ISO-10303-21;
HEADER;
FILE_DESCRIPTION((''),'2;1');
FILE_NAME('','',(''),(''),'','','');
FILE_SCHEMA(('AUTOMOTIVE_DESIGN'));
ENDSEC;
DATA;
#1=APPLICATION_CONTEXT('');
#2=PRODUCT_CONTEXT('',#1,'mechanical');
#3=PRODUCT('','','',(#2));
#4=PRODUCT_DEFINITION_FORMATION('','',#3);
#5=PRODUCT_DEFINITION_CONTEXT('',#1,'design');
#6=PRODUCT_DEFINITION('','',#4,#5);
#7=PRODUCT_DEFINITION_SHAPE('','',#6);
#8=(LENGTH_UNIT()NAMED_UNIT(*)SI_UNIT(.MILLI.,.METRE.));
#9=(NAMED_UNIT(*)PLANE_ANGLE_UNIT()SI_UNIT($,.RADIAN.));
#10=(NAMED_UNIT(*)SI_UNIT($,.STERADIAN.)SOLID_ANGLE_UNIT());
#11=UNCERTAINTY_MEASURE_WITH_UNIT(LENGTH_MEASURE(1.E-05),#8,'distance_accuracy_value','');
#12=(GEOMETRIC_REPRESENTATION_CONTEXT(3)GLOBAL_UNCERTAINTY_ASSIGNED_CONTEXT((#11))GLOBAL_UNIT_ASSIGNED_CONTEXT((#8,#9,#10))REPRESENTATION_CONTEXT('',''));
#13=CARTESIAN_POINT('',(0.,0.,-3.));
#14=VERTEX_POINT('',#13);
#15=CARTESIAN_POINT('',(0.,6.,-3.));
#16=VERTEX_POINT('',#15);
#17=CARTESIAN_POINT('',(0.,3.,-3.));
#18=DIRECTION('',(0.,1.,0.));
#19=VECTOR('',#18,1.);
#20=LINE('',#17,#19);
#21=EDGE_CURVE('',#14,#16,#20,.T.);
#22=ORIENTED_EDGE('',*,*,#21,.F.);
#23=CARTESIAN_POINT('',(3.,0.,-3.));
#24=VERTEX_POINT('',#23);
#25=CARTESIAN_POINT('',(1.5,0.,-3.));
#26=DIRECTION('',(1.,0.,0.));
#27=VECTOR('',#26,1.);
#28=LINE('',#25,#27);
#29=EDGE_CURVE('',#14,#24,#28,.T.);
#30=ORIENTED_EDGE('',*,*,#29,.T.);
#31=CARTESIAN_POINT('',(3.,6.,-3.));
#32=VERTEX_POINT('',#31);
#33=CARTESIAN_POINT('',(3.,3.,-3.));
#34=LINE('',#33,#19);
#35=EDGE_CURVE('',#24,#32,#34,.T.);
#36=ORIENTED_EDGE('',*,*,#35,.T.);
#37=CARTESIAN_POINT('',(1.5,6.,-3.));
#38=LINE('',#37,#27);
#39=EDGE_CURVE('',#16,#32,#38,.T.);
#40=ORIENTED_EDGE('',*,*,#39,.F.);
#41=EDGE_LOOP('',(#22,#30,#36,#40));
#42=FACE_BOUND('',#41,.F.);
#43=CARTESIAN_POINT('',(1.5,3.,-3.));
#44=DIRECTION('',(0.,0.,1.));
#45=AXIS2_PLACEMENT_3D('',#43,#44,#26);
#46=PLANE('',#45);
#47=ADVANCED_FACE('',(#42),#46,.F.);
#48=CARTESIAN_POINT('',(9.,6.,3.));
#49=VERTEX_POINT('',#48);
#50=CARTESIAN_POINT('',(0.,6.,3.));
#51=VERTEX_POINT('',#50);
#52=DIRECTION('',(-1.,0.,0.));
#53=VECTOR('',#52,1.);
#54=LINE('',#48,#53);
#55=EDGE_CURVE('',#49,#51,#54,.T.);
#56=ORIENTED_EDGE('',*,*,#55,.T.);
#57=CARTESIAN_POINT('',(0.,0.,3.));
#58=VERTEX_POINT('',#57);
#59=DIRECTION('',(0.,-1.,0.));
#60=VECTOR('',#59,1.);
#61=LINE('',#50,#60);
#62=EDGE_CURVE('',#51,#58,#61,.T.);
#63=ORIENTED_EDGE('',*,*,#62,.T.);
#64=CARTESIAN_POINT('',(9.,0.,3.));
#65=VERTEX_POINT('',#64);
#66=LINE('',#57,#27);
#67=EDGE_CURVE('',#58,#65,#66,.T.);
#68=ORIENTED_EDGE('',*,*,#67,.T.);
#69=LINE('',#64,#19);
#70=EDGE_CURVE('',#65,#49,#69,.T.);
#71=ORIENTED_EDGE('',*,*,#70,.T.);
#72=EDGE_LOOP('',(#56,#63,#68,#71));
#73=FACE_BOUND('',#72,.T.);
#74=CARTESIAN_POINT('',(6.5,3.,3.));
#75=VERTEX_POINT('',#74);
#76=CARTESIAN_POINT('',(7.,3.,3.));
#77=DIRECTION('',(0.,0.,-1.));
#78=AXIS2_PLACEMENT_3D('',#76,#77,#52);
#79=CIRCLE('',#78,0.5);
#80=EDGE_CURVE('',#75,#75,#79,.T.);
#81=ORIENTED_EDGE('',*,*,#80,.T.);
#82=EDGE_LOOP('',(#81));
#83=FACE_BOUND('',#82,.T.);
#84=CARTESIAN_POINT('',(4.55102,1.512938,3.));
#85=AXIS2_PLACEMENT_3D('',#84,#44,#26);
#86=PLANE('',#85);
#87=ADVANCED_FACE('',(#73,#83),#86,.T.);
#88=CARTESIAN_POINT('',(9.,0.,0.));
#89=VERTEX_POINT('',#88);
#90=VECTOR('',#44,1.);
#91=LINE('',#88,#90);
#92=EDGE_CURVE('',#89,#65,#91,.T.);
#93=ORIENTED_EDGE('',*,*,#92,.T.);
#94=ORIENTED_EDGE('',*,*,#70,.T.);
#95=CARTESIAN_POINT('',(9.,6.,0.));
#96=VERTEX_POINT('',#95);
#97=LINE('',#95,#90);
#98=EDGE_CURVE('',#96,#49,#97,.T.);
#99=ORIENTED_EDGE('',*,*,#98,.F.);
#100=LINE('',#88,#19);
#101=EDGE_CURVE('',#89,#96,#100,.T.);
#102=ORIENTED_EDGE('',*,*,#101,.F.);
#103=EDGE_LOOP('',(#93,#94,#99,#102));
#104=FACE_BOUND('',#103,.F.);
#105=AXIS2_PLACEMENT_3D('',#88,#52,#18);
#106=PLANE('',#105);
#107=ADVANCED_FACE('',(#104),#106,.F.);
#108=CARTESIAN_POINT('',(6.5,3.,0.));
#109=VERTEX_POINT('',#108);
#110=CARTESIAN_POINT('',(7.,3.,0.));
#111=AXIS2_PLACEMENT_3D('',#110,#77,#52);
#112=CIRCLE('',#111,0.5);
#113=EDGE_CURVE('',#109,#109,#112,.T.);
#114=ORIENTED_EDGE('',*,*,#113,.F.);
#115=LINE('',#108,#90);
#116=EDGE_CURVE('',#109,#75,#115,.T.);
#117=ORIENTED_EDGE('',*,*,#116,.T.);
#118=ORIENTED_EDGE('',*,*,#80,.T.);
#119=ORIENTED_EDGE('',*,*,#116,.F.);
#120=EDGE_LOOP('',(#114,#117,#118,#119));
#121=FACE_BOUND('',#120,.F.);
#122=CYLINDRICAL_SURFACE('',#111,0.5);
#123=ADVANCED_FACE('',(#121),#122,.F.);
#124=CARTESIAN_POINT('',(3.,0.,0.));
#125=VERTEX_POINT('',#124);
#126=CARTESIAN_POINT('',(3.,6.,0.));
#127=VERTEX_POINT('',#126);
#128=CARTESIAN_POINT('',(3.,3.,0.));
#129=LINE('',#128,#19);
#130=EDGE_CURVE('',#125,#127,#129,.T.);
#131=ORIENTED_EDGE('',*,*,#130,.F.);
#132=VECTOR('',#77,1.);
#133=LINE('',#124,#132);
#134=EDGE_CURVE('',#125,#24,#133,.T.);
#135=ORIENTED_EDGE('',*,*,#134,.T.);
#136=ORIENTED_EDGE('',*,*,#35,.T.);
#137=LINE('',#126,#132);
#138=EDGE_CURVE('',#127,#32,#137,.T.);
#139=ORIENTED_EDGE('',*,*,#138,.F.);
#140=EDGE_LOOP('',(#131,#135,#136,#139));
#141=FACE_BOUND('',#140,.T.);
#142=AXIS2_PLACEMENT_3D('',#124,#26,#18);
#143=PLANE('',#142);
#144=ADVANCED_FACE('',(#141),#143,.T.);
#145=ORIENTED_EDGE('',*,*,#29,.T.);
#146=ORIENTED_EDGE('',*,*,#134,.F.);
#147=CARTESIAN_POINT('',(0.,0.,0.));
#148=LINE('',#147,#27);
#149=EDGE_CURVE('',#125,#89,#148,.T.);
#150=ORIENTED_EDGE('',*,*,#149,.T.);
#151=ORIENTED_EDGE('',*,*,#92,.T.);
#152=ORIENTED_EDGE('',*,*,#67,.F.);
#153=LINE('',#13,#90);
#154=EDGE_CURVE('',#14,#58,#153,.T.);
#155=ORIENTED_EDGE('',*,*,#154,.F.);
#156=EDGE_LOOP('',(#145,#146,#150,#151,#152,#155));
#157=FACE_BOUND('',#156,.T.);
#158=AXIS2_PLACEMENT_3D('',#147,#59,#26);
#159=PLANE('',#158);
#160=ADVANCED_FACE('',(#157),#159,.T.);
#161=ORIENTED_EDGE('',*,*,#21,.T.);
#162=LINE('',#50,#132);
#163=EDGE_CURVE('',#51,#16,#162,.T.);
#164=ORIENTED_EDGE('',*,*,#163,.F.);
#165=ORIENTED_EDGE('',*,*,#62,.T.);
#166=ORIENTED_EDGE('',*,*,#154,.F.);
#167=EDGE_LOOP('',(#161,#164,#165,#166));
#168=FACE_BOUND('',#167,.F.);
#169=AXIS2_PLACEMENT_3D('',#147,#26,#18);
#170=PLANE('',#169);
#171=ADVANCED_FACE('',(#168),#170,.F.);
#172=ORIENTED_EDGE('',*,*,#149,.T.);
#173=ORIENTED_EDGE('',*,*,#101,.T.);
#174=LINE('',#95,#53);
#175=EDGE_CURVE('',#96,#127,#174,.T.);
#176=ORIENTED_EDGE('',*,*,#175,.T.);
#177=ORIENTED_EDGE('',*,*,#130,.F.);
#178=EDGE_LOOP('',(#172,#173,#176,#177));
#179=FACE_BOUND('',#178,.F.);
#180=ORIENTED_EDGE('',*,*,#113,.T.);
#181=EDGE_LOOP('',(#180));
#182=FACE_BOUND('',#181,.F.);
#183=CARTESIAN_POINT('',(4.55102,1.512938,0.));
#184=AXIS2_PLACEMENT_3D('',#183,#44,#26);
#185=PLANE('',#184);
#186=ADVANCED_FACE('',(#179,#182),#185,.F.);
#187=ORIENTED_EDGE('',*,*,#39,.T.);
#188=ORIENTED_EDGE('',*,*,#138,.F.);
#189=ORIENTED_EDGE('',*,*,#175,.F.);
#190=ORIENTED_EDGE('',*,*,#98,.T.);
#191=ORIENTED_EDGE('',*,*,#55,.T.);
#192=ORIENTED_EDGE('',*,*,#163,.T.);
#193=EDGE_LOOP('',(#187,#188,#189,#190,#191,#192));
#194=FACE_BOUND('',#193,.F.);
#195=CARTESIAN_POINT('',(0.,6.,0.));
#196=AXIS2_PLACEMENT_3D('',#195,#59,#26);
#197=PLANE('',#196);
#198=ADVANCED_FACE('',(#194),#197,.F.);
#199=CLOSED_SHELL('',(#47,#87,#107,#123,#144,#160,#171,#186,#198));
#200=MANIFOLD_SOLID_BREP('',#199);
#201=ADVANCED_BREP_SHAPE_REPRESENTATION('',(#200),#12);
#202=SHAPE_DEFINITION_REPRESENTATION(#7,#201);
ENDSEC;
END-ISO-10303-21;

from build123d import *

# Parameters (mm, degrees)
F1_DEPTH = 3
F2_W     = 3
F2_H     = 6
F3_DEPTH = 3


with BuildPart() as f1:
    # F0 (on Top) → F1 (new body)
    with BuildSketch(Plane.XY):
        with BuildLine():
            Line((0, 3), (0, 0))
            Line((0, 0), (9, 0))
            Line((9, 0), (9, 3))
            Line((9, 3), (7.5, 3))
            ThreePointArc((7.5, 3), (7, 2.5), (6.5, 3))
            Line((6.5, 3), (0, 3))
        make_face()
        with BuildLine():
            Line((0, 6), (0, 3))
            Line((0, 3), (6.5, 3))
            ThreePointArc((6.5, 3), (7, 3.5), (7.5, 3))
            Line((7.5, 3), (9, 3))
            Line((9, 3), (9, 6))
            Line((9, 6), (0, 6))
        make_face()
    extrude(amount=F1_DEPTH)

    # F2 (on Top) → F3 (join)
    with BuildSketch(Plane.XY):
        with Locations((1.5, 3)):
            Rectangle(F2_W, F2_H)
    extrude(amount=-F3_DEPTH)


solid = f1.part
